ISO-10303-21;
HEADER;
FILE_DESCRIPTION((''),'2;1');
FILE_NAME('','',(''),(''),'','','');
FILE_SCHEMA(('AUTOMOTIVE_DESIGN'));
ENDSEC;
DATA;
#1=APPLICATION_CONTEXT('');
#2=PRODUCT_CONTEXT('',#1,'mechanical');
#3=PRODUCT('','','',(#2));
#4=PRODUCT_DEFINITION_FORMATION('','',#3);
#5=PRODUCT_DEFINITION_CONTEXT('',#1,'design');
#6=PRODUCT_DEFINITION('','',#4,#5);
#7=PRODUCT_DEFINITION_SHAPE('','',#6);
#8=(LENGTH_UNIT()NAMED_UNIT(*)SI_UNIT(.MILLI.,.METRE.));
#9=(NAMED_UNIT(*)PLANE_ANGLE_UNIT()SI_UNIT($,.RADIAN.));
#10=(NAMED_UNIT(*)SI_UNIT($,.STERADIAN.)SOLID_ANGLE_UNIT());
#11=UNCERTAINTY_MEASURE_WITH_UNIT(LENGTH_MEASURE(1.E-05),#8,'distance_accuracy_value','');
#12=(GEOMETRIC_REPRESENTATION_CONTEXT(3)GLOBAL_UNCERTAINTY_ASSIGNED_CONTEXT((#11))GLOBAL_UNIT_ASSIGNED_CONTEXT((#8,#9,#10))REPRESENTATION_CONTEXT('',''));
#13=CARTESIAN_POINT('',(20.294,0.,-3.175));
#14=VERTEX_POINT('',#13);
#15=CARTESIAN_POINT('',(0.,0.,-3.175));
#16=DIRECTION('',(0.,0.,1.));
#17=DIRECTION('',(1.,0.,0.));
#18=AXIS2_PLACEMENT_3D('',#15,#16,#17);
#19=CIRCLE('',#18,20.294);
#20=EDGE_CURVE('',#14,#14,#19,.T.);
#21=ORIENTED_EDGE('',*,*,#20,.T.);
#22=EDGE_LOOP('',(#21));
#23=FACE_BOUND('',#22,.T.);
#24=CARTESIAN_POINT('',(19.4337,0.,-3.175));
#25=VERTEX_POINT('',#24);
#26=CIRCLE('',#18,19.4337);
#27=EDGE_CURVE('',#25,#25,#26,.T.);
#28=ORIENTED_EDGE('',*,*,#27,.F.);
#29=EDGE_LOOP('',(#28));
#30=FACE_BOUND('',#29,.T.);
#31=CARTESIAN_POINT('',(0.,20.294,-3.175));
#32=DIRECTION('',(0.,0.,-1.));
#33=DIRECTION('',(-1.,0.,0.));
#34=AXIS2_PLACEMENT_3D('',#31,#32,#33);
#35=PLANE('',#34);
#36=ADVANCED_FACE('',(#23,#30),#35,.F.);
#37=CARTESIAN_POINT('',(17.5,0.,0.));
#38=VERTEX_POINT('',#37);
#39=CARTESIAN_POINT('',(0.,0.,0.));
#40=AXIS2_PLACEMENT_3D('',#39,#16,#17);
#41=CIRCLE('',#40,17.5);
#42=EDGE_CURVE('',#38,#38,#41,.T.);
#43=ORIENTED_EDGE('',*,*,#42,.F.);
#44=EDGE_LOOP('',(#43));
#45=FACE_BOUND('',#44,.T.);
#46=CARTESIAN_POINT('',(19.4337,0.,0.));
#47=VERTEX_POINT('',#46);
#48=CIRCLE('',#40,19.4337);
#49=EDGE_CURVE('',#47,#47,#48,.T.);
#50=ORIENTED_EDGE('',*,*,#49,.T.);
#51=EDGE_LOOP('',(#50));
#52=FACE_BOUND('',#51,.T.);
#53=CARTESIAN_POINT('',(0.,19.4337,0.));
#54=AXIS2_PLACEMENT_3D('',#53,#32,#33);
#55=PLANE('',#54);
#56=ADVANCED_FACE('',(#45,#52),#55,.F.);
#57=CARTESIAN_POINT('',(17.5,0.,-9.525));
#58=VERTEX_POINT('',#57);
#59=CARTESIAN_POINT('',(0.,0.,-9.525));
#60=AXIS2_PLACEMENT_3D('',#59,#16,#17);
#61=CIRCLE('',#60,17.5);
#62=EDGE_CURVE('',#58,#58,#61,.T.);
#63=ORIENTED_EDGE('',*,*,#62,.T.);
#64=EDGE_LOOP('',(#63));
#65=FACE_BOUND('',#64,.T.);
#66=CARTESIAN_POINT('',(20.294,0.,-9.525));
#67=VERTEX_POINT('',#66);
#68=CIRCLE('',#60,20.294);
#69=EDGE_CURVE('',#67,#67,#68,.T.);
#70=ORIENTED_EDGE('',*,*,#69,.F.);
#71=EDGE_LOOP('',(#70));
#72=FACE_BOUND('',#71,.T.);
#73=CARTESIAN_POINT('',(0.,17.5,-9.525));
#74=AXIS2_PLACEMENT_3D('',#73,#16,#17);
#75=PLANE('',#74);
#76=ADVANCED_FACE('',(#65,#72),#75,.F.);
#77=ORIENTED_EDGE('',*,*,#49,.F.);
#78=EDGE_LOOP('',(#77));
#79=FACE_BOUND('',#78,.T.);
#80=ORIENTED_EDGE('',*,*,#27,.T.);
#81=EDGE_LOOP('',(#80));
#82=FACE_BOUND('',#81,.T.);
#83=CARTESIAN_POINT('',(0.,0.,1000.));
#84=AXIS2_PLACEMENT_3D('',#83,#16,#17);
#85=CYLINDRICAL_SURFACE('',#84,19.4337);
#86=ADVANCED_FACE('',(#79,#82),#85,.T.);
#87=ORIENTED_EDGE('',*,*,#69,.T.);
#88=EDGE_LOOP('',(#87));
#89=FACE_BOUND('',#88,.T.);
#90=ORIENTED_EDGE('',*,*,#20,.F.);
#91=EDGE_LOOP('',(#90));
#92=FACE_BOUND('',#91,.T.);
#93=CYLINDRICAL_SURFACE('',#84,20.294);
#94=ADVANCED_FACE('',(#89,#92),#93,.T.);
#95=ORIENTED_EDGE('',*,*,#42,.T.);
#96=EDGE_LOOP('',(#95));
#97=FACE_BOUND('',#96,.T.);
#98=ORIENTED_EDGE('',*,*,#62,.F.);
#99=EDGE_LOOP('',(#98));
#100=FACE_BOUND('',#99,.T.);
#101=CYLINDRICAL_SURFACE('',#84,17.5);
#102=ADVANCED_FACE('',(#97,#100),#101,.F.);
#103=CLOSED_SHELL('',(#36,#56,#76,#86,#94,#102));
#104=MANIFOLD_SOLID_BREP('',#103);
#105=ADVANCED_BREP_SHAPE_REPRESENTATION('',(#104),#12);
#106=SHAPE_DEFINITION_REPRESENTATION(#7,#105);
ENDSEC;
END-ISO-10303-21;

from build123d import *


with BuildPart() as part:
    # Sketch1 → Revolve1 (revolve)
    with BuildSketch(Plane(origin=(0, 0, 0), x_dir=(0, 0, -1), z_dir=(1, 0, 0))):
        Polygon((0, 17.5), (9.525, 17.5), (9.525, 20.294), (3.175, 20.294), (3.175, 19.4337), (0, 19.4337), align=None)
    revolve(axis=Axis((0, 0, 1000), (0, 0, -1)))


solid = part.part
